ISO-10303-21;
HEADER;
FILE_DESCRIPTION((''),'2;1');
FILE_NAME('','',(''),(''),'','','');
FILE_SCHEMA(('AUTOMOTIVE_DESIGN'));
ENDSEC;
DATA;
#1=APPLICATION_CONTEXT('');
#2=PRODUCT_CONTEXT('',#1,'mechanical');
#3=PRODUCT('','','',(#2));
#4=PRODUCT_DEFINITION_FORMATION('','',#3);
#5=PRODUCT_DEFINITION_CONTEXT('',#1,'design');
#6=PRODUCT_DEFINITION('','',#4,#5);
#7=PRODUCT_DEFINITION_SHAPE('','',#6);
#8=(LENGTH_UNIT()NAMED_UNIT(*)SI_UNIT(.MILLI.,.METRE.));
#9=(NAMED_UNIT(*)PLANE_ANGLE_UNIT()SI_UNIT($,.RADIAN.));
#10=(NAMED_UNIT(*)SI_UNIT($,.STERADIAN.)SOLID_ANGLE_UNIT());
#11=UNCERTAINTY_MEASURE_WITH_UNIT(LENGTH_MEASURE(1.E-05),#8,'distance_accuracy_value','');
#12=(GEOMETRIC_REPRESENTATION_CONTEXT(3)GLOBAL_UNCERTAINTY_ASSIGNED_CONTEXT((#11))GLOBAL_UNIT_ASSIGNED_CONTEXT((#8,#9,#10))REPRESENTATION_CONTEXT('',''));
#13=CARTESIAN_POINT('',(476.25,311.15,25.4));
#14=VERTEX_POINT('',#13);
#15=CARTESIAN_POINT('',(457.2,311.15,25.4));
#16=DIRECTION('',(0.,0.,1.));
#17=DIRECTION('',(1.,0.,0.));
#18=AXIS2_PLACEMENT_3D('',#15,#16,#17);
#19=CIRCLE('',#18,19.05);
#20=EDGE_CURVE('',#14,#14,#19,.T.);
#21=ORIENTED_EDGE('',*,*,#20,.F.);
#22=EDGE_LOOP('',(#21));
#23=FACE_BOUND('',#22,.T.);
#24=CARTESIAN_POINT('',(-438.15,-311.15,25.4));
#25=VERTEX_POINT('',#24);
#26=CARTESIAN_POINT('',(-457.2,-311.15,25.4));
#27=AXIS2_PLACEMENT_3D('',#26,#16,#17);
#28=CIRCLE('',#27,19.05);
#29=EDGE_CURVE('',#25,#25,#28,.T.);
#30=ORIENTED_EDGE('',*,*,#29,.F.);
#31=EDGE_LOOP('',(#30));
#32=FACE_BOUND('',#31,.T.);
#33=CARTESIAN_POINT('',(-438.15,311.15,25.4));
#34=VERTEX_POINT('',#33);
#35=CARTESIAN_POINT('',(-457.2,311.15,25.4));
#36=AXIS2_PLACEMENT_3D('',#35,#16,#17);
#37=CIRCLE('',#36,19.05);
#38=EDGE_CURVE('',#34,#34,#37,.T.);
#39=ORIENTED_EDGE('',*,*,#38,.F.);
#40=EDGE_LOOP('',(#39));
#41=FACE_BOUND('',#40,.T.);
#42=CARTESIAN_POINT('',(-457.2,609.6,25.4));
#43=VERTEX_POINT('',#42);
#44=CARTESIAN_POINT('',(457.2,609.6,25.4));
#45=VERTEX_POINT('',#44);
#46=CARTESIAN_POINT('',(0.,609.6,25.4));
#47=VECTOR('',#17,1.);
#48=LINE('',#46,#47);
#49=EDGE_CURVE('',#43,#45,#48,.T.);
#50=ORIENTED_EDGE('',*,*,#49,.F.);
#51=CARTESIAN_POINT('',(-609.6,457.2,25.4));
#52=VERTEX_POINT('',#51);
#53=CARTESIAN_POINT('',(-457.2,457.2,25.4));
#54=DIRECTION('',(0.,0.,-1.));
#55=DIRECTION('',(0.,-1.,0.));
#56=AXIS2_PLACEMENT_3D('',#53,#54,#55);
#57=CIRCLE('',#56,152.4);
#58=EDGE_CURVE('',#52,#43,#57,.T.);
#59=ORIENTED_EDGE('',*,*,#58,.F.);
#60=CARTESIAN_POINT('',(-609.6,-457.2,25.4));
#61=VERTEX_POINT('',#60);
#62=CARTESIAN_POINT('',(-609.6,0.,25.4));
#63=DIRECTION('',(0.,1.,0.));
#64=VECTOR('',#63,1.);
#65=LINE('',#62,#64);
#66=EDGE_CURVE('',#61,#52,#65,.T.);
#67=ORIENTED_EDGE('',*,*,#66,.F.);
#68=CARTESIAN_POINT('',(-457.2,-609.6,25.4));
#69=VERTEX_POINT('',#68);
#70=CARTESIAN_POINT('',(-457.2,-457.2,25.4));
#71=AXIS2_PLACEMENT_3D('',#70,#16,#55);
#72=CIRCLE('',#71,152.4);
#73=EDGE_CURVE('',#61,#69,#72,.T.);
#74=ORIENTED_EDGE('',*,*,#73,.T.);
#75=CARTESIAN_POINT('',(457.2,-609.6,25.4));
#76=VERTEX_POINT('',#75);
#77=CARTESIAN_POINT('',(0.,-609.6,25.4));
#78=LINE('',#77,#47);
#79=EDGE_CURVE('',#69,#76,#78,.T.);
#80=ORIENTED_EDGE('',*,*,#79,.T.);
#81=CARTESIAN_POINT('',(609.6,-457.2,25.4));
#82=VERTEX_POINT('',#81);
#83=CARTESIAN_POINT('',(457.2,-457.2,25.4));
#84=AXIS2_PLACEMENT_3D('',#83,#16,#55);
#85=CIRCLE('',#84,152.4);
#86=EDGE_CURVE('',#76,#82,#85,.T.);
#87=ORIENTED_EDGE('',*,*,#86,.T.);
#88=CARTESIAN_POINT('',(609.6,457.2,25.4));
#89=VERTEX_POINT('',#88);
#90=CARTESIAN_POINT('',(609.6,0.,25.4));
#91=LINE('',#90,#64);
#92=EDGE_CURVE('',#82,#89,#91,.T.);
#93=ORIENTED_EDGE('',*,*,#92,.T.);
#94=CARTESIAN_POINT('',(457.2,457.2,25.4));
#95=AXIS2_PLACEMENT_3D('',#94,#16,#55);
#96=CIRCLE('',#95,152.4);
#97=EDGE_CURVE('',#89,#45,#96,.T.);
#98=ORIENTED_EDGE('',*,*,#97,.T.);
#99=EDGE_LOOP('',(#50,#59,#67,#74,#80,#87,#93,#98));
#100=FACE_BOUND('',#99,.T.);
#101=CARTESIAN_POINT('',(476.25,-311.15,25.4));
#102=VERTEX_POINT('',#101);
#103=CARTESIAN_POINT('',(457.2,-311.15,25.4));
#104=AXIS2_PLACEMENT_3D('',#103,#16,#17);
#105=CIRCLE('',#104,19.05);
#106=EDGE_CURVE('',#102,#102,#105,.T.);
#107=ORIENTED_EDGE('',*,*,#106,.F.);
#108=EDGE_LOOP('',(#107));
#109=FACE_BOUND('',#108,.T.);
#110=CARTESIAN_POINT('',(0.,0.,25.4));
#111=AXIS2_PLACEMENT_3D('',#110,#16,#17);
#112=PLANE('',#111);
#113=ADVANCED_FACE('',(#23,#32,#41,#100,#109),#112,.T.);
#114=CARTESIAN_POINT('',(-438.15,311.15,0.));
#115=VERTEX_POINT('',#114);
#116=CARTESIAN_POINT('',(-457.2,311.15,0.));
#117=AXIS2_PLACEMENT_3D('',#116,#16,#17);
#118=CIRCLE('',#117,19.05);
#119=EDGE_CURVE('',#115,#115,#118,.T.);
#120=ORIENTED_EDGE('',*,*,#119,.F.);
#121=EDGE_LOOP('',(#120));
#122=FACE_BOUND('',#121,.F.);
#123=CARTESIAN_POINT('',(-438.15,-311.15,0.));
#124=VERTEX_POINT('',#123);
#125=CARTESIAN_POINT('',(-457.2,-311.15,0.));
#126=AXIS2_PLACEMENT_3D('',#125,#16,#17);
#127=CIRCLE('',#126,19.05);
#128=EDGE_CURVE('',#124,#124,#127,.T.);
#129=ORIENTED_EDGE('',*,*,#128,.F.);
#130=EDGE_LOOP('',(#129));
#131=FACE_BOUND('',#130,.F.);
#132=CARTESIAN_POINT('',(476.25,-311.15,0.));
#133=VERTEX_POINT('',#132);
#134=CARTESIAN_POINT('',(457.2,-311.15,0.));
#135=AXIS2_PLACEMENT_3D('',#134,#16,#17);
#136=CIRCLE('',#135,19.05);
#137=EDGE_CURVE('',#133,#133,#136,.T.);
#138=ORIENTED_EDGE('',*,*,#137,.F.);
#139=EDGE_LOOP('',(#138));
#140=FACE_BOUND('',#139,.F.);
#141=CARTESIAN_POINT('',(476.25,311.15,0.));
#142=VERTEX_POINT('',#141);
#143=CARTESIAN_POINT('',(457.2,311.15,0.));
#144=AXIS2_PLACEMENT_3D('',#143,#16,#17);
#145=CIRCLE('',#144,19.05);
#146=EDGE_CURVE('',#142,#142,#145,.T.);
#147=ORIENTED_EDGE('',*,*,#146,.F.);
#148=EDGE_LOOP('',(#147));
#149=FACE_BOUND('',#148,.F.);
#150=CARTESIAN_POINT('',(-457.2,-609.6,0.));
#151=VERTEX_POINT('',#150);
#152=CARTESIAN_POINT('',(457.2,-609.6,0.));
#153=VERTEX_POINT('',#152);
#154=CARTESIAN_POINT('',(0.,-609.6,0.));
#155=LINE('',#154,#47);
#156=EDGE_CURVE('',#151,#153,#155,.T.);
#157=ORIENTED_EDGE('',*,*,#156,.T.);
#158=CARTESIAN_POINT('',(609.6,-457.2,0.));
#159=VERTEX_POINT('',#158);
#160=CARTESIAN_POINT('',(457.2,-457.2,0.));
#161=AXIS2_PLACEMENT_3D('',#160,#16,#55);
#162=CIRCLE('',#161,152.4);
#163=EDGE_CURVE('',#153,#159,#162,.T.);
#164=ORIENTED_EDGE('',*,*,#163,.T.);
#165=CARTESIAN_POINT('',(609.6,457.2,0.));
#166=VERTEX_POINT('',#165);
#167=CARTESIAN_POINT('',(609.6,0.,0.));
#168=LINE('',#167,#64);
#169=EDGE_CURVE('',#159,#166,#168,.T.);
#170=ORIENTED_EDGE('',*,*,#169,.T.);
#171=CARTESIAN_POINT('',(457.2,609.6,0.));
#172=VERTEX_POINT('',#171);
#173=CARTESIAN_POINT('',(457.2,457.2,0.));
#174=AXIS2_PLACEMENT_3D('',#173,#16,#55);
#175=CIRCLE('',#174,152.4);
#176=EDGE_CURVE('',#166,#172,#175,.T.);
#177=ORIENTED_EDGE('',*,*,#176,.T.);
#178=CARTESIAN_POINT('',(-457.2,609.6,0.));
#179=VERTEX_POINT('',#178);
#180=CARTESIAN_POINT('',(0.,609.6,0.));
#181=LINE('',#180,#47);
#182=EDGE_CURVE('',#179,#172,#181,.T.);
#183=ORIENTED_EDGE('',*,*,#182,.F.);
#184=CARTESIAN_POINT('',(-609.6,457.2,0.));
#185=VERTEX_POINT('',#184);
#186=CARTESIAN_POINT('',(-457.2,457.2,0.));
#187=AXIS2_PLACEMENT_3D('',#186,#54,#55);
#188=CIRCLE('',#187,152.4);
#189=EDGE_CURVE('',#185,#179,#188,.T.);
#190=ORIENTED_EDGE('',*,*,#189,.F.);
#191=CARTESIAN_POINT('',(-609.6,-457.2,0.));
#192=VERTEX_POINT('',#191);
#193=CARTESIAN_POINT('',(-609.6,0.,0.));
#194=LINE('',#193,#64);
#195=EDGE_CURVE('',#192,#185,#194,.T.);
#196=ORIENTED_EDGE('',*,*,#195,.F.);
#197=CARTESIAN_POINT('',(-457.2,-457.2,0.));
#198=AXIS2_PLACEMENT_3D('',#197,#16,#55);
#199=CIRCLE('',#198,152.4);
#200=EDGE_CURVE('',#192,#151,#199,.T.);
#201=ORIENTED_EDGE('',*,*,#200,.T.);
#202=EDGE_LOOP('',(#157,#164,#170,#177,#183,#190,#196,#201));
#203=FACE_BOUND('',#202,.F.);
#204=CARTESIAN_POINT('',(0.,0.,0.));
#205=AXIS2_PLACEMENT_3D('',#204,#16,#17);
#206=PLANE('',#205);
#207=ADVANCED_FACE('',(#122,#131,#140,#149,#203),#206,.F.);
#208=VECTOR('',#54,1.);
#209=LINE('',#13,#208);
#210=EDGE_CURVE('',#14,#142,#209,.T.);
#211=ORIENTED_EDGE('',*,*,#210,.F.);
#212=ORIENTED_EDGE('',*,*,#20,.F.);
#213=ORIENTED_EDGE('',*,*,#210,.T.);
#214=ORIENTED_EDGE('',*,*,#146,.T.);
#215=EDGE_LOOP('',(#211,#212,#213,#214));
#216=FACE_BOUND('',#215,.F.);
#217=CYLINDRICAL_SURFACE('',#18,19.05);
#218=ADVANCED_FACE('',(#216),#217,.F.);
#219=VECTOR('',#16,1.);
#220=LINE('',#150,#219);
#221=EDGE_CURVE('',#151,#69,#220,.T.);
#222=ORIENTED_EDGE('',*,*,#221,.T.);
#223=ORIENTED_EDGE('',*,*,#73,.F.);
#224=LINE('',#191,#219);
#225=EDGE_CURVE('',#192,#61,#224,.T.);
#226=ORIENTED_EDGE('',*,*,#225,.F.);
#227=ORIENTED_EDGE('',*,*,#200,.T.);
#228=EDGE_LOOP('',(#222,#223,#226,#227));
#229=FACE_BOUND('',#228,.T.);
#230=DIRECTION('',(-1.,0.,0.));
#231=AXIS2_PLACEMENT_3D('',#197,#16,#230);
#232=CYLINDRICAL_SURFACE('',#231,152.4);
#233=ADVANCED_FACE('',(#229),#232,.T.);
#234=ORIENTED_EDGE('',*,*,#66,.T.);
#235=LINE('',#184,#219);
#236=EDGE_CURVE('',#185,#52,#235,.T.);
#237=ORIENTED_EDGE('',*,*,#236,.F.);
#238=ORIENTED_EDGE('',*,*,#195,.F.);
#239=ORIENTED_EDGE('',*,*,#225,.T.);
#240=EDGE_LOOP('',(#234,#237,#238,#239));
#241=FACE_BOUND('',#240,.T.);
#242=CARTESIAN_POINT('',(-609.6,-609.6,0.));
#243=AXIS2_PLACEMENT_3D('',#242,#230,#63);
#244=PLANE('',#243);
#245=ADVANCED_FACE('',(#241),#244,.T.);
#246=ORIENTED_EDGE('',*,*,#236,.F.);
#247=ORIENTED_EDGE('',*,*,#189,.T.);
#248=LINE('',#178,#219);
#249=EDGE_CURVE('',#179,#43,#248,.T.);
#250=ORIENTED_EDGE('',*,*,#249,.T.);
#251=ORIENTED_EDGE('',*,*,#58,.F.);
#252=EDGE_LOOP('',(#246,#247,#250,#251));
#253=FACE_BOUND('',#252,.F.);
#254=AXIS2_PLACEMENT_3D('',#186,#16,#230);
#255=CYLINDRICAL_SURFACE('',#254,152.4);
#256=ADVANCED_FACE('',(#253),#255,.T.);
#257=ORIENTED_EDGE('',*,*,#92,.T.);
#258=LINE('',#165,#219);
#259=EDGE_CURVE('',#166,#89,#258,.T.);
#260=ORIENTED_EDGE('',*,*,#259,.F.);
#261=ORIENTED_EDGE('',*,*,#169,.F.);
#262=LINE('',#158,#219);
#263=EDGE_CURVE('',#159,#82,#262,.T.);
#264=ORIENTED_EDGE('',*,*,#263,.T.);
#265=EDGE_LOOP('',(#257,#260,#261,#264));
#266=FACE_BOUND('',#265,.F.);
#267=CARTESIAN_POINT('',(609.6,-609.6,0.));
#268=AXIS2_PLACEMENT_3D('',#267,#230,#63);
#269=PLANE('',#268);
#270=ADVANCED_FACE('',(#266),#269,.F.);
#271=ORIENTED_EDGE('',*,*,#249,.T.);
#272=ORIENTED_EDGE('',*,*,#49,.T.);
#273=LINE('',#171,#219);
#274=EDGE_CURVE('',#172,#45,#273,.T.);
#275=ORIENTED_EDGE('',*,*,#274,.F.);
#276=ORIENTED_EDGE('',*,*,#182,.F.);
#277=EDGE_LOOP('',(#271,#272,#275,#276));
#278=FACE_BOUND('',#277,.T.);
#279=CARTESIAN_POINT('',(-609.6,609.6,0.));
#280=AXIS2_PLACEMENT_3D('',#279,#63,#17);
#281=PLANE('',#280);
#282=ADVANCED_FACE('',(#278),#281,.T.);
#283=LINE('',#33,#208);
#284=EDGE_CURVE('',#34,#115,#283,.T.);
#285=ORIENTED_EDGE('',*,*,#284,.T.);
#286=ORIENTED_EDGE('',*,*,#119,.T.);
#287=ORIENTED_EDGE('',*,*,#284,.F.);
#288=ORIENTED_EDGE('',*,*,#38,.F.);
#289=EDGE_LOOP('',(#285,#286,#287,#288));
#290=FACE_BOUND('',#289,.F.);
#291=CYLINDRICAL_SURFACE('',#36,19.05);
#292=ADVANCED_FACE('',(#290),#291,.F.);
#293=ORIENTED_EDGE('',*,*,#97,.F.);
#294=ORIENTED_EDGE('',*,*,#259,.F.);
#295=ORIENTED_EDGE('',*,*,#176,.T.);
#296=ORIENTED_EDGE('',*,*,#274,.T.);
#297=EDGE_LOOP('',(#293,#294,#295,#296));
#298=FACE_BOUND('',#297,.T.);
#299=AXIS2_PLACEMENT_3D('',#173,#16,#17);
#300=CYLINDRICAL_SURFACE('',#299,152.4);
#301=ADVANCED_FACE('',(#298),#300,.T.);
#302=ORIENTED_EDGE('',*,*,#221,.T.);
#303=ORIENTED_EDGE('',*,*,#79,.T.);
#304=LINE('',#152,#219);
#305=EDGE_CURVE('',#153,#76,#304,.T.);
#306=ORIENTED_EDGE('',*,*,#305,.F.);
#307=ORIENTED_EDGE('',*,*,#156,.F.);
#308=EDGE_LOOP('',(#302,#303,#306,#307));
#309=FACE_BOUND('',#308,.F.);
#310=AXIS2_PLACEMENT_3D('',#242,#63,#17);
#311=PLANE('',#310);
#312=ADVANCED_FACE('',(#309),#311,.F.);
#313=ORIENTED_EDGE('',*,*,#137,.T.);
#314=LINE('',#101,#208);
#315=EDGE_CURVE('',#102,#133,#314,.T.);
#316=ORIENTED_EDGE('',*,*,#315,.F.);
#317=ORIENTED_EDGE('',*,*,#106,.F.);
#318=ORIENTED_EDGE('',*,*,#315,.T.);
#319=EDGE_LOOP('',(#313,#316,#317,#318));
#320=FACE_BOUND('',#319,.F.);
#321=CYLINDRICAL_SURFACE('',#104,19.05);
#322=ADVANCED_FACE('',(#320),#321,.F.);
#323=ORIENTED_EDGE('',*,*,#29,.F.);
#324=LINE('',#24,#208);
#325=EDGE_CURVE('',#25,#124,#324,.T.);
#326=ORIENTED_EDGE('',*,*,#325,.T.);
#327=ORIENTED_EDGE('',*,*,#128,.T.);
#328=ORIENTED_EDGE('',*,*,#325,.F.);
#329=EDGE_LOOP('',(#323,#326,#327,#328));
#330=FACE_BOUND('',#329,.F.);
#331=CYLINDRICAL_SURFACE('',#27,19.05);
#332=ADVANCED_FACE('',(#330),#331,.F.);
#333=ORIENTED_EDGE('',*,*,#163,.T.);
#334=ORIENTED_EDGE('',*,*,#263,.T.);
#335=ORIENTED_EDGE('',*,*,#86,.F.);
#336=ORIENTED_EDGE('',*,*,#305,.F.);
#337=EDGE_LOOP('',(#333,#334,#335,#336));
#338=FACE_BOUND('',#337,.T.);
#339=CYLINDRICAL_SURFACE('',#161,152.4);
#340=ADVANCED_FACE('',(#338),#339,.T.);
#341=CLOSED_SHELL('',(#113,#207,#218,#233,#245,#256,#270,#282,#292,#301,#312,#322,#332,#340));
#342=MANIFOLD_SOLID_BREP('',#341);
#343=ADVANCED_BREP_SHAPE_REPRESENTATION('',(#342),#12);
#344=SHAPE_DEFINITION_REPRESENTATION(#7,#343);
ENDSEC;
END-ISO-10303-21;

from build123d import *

# Parameters (mm, degrees)
F0_W     = 1219.2
F0_H     = 1219.2
F1_DEPTH = 25.4
F2_R     = 152.4
F3_R     = 19.05
F4_DEPTH = 25.4


with BuildPart() as f1:
    # F0 (on Top) → F1 (new body)
    with BuildSketch(Plane.XY):
        Rectangle(F0_W, F0_H)
    extrude(amount=F1_DEPTH)

    # F2
    f2_edges = [f1.edges().sort_by_distance(p)[0] for p in [
        (-609.6, -609.6, 12.7),
        (609.6, -609.6, 12.7),
        (609.6, 609.6, 12.7),
        (-609.6, 609.6, 12.7),
    ]]
    fillet(f2_edges, radius=F2_R)

    # F3 (on face) → F4 (cut)
    with BuildSketch(Plane.XY.offset(25.4)):
        with Locations((-457.2, 311.15)):
            Circle(F3_R)
        with Locations((457.2, 311.15)):
            Circle(F3_R)
        with Locations((457.2, -311.15)):
            Circle(F3_R)
        with Locations((-457.2, -311.15)):
            Circle(F3_R)
    extrude(amount=-F4_DEPTH, mode=Mode.SUBTRACT)


solid = f1.part
